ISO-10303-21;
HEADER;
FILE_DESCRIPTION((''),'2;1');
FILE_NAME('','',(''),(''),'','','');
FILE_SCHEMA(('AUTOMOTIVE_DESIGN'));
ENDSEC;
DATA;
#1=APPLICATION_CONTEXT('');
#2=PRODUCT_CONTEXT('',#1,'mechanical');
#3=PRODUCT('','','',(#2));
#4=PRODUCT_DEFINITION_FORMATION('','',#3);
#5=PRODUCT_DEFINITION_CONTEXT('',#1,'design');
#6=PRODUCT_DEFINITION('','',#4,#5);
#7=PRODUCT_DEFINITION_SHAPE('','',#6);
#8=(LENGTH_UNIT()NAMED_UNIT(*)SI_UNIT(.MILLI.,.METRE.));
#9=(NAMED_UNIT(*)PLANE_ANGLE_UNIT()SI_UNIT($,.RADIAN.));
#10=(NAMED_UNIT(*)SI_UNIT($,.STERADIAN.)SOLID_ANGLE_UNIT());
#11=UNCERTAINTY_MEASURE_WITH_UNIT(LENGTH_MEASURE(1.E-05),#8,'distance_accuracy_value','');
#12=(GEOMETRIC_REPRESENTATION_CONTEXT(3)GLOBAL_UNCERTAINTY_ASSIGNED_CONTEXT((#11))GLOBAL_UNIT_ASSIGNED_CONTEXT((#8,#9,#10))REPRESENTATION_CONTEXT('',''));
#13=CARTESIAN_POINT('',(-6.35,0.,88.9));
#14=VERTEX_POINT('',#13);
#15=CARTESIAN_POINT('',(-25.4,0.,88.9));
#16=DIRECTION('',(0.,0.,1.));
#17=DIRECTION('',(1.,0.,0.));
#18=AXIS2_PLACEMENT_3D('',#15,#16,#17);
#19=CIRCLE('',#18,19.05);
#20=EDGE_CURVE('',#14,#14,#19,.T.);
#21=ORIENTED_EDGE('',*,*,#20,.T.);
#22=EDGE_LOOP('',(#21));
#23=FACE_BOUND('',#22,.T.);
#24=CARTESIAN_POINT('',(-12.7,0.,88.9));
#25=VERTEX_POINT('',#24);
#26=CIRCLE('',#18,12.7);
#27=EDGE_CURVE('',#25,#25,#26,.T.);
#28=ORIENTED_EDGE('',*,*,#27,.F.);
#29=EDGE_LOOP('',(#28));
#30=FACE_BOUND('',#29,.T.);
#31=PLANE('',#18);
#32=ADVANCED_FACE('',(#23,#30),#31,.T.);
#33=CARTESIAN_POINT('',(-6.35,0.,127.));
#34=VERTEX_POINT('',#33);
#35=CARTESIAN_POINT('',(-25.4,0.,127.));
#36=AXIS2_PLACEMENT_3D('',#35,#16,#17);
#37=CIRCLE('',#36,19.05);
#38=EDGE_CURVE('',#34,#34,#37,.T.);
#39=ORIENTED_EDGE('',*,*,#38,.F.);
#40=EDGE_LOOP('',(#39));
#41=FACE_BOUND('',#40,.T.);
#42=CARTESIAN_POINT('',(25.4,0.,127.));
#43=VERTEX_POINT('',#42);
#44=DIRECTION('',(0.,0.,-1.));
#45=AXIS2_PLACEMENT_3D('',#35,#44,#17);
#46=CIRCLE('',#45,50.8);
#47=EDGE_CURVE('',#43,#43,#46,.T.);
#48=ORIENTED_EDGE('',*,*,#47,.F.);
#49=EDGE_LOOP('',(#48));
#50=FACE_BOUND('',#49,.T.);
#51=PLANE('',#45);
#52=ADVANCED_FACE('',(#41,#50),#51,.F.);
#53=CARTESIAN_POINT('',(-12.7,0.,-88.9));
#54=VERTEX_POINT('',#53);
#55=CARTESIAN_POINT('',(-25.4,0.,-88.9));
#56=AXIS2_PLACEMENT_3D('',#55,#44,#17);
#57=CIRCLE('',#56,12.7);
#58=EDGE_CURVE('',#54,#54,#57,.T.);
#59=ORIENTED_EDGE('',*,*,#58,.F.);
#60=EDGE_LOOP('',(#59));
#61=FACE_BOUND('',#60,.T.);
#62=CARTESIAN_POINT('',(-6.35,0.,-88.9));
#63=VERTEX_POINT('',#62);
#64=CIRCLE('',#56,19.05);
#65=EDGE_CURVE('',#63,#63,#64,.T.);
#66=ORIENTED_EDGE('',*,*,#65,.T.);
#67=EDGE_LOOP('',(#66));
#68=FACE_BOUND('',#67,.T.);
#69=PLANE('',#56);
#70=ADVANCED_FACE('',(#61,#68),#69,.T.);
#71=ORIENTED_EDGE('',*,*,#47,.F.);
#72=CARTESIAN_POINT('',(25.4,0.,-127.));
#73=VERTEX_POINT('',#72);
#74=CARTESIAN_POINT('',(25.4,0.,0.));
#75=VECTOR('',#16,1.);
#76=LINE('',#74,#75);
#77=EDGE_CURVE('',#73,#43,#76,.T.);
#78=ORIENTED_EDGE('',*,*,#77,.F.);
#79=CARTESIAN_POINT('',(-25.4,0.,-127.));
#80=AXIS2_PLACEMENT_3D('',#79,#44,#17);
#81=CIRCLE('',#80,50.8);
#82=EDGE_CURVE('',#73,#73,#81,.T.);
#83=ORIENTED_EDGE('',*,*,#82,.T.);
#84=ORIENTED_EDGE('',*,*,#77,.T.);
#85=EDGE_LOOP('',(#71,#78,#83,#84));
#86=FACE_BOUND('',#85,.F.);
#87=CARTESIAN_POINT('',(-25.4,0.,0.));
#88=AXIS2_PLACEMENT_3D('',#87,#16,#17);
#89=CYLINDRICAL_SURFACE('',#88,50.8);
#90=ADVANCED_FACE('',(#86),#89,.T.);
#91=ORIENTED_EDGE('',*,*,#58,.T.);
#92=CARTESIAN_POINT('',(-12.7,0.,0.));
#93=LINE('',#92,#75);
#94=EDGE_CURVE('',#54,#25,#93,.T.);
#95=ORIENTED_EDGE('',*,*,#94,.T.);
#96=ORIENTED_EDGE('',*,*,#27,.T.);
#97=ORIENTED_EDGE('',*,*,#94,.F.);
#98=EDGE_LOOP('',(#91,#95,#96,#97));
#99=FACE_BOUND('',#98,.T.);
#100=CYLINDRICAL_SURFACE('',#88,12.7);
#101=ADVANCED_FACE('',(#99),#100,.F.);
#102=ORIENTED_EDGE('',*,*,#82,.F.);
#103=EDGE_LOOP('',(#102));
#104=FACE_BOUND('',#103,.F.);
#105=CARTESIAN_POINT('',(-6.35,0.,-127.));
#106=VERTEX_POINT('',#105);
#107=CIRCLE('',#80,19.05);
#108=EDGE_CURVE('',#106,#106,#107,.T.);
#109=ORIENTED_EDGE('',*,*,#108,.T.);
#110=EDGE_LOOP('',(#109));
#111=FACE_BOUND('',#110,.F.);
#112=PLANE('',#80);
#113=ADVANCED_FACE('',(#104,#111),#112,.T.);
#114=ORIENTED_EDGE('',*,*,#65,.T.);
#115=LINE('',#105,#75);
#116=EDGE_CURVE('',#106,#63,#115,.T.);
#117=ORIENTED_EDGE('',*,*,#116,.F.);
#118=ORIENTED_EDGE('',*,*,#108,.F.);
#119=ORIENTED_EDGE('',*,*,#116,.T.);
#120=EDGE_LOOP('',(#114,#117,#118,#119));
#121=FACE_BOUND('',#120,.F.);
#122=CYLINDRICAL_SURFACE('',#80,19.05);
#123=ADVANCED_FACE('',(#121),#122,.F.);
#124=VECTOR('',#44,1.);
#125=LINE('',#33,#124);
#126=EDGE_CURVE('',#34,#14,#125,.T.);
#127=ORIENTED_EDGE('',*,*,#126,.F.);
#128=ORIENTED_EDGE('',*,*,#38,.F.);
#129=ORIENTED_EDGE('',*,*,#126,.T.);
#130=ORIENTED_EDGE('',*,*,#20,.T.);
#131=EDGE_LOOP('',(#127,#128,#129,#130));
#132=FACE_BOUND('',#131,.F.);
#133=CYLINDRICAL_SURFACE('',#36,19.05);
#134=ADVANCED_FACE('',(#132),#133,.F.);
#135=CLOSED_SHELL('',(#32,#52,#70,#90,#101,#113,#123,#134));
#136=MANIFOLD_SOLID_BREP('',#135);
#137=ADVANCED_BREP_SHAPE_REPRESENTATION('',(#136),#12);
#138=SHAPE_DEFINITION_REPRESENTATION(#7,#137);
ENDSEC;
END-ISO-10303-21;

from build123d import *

# Parameters (mm, degrees)
F0_W     = 38.1
F0_H     = 254
F2_R     = 19.05
F2_R_2   = 12.7
F3_DEPTH = 38.1
F4_R     = 19.05
F5_DEPTH = 38.1


with BuildPart() as f1:
    # F0 (on Front) → F1 (revolve)
    with BuildSketch(Plane.XZ):
        with Locations((6.35, 0)):
            Rectangle(F0_W, F0_H)
    revolve(axis=Axis((-25.4, 0, 0), (0, 0, -1)))

    # F2 (on face) → F3 (cut)
    with BuildSketch(Plane(origin=(0, 0, -127), x_dir=(1, 0, 0), z_dir=(0, 0, -1))):
        with Locations((-25.4, 0)):
            Circle(F2_R)
        with Locations((-25.4, 0)):
            Circle(F2_R_2, mode=Mode.SUBTRACT)
    extrude(amount=-F3_DEPTH, mode=Mode.SUBTRACT)

    # F4 (on face) → F5 (cut)
    with BuildSketch(Plane.XY.offset(127)):
        with Locations((-25.4, 0)):
            Circle(F4_R)
    extrude(amount=-F5_DEPTH, mode=Mode.SUBTRACT)


solid = f1.part
